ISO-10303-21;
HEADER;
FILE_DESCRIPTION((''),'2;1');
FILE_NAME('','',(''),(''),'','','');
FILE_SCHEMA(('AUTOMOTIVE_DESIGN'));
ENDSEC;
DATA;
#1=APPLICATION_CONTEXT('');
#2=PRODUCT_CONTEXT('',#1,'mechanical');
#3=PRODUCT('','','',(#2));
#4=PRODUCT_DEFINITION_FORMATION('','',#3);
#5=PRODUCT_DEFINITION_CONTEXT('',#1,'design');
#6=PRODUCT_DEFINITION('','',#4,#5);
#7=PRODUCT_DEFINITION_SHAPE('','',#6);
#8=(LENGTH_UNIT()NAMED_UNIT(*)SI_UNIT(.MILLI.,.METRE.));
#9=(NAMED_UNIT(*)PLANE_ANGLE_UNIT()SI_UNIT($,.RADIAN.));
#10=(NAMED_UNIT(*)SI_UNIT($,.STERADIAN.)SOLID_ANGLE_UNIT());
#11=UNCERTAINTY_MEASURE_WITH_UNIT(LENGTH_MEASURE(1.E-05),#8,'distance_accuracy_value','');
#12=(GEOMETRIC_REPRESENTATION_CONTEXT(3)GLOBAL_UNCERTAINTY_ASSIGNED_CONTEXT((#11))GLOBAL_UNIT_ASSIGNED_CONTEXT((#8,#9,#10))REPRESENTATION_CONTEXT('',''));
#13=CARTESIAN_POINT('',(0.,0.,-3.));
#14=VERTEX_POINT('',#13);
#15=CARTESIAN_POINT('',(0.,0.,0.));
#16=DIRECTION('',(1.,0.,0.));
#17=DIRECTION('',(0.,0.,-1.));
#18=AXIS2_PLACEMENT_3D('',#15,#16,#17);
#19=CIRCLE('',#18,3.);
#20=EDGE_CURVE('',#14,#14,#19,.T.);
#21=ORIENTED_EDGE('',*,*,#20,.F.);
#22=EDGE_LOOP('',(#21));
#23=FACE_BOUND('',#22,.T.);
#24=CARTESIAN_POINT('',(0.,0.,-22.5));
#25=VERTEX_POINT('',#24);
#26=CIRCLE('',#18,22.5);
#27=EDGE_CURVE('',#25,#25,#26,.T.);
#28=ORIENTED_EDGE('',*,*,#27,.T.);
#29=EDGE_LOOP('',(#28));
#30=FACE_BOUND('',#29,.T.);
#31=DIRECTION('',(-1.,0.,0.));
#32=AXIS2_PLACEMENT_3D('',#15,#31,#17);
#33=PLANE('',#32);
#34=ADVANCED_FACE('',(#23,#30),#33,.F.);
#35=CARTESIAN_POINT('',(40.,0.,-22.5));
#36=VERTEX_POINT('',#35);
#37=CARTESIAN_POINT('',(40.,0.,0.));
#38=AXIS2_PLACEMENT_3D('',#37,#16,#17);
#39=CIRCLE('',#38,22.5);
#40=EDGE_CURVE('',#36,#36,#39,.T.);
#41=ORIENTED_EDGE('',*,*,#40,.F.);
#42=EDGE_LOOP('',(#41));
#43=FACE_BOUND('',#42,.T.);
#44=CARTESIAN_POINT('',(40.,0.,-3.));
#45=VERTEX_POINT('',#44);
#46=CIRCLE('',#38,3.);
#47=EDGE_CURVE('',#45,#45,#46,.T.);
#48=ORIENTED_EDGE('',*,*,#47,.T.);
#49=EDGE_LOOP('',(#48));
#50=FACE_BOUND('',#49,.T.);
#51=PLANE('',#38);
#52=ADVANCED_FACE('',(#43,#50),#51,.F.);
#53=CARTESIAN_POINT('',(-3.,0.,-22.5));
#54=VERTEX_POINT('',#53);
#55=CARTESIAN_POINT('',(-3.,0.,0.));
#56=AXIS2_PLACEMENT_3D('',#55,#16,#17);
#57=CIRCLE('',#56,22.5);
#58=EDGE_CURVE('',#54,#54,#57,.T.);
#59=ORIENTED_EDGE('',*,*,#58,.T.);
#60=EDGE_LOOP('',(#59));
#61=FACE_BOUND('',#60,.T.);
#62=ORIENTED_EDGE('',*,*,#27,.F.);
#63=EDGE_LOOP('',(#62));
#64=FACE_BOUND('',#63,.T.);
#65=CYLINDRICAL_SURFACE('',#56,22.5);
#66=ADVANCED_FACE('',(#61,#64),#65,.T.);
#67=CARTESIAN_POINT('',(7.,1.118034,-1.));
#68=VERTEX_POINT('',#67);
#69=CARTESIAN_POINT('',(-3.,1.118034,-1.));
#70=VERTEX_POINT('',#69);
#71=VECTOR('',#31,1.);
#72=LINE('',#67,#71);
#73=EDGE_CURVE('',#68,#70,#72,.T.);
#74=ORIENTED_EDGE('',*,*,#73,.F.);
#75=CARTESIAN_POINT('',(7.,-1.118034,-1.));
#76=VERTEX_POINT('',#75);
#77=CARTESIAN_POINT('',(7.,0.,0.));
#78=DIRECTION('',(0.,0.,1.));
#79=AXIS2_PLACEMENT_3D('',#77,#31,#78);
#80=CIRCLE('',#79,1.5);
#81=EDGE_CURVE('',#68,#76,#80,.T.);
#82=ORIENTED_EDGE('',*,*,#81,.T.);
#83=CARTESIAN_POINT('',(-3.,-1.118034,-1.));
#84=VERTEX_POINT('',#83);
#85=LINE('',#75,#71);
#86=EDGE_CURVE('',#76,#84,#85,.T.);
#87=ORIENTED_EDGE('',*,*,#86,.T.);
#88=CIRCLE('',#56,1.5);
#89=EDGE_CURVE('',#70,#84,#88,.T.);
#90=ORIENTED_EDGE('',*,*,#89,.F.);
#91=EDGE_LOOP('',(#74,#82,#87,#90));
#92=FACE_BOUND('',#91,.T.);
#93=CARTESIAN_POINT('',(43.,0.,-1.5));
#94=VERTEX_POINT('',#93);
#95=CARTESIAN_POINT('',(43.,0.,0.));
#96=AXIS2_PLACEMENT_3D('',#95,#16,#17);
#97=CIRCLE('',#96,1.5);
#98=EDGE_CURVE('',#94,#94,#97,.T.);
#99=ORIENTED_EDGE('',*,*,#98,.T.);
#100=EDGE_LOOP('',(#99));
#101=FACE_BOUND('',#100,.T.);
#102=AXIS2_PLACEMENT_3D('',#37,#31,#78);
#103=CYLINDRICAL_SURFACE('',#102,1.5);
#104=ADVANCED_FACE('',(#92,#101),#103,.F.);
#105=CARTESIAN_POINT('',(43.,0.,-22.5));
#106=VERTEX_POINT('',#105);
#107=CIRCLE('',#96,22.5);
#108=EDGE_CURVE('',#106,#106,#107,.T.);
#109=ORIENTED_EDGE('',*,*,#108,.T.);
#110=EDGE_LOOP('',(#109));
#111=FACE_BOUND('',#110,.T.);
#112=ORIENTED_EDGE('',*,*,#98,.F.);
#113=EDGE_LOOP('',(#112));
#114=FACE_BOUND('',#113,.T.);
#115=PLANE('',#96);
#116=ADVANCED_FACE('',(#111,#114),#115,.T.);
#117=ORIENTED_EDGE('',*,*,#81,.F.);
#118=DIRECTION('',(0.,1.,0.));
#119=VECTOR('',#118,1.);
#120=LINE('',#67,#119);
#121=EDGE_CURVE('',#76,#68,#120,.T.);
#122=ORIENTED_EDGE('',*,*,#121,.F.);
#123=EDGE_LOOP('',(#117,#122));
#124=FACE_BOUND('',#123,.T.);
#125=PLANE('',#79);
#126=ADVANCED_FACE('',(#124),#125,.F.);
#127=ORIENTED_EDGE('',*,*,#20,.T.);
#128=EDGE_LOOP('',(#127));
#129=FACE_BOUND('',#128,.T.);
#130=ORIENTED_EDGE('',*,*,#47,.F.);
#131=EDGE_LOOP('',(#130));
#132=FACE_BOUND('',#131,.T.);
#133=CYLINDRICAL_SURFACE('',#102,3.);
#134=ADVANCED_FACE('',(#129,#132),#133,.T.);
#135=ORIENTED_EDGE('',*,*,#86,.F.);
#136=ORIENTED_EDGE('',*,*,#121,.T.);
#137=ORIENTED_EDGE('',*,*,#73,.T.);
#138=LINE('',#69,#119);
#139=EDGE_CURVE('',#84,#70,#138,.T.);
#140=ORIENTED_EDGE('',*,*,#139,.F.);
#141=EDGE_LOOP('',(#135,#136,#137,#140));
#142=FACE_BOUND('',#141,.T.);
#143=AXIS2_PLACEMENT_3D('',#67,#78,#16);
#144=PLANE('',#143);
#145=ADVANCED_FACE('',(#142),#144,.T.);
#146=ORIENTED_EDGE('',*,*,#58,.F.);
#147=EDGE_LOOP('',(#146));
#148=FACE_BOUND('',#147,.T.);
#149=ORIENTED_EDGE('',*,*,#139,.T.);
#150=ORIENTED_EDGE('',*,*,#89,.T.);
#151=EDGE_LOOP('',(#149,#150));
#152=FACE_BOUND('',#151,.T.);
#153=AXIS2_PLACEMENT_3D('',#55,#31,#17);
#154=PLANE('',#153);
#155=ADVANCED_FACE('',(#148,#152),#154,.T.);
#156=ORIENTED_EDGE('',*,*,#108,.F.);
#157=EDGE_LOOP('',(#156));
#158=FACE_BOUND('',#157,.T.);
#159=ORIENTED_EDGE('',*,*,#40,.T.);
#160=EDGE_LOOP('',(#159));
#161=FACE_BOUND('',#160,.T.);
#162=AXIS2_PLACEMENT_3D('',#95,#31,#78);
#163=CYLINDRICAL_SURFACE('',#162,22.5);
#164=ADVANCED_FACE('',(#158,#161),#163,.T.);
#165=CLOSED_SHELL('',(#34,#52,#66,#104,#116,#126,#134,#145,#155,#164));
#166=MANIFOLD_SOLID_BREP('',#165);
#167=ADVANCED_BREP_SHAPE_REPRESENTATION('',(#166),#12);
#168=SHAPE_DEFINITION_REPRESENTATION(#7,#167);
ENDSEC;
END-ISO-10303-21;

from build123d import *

# Parameters (mm, degrees)
SKETCH1_R           = 3
SKETCH1_R_2         = 1.5
BOSS_EXTRUDE1_DEPTH = 40
SKETCH2_R           = 22.5
SKETCH2_R_2         = 1.5
BOSS_EXTRUDE2_DEPTH = 3
BOSS_EXTRUDE4_DEPTH = 10


with BuildPart() as part:
    # Sketch1 → Boss-Extrude1 (new body)
    with BuildSketch(Plane(origin=(0, 0, 0), x_dir=(0, 0, -1), z_dir=(1, 0, 0))):
        Circle(SKETCH1_R)
        Circle(SKETCH1_R_2, mode=Mode.SUBTRACT)
    extrude(amount=BOSS_EXTRUDE1_DEPTH)

    # Sketch2 → Boss-Extrude2 (add)
    with BuildSketch(Plane(origin=(40, 0, 0), x_dir=(0, 0, -1), z_dir=(1, 0, 0))):
        Circle(SKETCH2_R)
        Circle(SKETCH2_R_2, mode=Mode.SUBTRACT)
    boss_extrude2 = extrude(amount=BOSS_EXTRUDE2_DEPTH)

    # Mirror1: Boss-Extrude2 across plane
    add(boss_extrude2.mirror(Plane(origin=(20, 0, 0), x_dir=(0, 0, 1), z_dir=(1, 0, 0))))

    # Sketch4 → Boss-Extrude4 (add)
    with BuildSketch(Plane.ZY.offset(3)):
        with BuildLine():
            Line((-1, 1.118033989), (-1, -1.118033989))
            ThreePointArc((-1, -1.118033989), (-1.5, 0), (-1, 1.118033989))
        make_face()
    extrude(amount=-BOSS_EXTRUDE4_DEPTH)


solid = part.part
